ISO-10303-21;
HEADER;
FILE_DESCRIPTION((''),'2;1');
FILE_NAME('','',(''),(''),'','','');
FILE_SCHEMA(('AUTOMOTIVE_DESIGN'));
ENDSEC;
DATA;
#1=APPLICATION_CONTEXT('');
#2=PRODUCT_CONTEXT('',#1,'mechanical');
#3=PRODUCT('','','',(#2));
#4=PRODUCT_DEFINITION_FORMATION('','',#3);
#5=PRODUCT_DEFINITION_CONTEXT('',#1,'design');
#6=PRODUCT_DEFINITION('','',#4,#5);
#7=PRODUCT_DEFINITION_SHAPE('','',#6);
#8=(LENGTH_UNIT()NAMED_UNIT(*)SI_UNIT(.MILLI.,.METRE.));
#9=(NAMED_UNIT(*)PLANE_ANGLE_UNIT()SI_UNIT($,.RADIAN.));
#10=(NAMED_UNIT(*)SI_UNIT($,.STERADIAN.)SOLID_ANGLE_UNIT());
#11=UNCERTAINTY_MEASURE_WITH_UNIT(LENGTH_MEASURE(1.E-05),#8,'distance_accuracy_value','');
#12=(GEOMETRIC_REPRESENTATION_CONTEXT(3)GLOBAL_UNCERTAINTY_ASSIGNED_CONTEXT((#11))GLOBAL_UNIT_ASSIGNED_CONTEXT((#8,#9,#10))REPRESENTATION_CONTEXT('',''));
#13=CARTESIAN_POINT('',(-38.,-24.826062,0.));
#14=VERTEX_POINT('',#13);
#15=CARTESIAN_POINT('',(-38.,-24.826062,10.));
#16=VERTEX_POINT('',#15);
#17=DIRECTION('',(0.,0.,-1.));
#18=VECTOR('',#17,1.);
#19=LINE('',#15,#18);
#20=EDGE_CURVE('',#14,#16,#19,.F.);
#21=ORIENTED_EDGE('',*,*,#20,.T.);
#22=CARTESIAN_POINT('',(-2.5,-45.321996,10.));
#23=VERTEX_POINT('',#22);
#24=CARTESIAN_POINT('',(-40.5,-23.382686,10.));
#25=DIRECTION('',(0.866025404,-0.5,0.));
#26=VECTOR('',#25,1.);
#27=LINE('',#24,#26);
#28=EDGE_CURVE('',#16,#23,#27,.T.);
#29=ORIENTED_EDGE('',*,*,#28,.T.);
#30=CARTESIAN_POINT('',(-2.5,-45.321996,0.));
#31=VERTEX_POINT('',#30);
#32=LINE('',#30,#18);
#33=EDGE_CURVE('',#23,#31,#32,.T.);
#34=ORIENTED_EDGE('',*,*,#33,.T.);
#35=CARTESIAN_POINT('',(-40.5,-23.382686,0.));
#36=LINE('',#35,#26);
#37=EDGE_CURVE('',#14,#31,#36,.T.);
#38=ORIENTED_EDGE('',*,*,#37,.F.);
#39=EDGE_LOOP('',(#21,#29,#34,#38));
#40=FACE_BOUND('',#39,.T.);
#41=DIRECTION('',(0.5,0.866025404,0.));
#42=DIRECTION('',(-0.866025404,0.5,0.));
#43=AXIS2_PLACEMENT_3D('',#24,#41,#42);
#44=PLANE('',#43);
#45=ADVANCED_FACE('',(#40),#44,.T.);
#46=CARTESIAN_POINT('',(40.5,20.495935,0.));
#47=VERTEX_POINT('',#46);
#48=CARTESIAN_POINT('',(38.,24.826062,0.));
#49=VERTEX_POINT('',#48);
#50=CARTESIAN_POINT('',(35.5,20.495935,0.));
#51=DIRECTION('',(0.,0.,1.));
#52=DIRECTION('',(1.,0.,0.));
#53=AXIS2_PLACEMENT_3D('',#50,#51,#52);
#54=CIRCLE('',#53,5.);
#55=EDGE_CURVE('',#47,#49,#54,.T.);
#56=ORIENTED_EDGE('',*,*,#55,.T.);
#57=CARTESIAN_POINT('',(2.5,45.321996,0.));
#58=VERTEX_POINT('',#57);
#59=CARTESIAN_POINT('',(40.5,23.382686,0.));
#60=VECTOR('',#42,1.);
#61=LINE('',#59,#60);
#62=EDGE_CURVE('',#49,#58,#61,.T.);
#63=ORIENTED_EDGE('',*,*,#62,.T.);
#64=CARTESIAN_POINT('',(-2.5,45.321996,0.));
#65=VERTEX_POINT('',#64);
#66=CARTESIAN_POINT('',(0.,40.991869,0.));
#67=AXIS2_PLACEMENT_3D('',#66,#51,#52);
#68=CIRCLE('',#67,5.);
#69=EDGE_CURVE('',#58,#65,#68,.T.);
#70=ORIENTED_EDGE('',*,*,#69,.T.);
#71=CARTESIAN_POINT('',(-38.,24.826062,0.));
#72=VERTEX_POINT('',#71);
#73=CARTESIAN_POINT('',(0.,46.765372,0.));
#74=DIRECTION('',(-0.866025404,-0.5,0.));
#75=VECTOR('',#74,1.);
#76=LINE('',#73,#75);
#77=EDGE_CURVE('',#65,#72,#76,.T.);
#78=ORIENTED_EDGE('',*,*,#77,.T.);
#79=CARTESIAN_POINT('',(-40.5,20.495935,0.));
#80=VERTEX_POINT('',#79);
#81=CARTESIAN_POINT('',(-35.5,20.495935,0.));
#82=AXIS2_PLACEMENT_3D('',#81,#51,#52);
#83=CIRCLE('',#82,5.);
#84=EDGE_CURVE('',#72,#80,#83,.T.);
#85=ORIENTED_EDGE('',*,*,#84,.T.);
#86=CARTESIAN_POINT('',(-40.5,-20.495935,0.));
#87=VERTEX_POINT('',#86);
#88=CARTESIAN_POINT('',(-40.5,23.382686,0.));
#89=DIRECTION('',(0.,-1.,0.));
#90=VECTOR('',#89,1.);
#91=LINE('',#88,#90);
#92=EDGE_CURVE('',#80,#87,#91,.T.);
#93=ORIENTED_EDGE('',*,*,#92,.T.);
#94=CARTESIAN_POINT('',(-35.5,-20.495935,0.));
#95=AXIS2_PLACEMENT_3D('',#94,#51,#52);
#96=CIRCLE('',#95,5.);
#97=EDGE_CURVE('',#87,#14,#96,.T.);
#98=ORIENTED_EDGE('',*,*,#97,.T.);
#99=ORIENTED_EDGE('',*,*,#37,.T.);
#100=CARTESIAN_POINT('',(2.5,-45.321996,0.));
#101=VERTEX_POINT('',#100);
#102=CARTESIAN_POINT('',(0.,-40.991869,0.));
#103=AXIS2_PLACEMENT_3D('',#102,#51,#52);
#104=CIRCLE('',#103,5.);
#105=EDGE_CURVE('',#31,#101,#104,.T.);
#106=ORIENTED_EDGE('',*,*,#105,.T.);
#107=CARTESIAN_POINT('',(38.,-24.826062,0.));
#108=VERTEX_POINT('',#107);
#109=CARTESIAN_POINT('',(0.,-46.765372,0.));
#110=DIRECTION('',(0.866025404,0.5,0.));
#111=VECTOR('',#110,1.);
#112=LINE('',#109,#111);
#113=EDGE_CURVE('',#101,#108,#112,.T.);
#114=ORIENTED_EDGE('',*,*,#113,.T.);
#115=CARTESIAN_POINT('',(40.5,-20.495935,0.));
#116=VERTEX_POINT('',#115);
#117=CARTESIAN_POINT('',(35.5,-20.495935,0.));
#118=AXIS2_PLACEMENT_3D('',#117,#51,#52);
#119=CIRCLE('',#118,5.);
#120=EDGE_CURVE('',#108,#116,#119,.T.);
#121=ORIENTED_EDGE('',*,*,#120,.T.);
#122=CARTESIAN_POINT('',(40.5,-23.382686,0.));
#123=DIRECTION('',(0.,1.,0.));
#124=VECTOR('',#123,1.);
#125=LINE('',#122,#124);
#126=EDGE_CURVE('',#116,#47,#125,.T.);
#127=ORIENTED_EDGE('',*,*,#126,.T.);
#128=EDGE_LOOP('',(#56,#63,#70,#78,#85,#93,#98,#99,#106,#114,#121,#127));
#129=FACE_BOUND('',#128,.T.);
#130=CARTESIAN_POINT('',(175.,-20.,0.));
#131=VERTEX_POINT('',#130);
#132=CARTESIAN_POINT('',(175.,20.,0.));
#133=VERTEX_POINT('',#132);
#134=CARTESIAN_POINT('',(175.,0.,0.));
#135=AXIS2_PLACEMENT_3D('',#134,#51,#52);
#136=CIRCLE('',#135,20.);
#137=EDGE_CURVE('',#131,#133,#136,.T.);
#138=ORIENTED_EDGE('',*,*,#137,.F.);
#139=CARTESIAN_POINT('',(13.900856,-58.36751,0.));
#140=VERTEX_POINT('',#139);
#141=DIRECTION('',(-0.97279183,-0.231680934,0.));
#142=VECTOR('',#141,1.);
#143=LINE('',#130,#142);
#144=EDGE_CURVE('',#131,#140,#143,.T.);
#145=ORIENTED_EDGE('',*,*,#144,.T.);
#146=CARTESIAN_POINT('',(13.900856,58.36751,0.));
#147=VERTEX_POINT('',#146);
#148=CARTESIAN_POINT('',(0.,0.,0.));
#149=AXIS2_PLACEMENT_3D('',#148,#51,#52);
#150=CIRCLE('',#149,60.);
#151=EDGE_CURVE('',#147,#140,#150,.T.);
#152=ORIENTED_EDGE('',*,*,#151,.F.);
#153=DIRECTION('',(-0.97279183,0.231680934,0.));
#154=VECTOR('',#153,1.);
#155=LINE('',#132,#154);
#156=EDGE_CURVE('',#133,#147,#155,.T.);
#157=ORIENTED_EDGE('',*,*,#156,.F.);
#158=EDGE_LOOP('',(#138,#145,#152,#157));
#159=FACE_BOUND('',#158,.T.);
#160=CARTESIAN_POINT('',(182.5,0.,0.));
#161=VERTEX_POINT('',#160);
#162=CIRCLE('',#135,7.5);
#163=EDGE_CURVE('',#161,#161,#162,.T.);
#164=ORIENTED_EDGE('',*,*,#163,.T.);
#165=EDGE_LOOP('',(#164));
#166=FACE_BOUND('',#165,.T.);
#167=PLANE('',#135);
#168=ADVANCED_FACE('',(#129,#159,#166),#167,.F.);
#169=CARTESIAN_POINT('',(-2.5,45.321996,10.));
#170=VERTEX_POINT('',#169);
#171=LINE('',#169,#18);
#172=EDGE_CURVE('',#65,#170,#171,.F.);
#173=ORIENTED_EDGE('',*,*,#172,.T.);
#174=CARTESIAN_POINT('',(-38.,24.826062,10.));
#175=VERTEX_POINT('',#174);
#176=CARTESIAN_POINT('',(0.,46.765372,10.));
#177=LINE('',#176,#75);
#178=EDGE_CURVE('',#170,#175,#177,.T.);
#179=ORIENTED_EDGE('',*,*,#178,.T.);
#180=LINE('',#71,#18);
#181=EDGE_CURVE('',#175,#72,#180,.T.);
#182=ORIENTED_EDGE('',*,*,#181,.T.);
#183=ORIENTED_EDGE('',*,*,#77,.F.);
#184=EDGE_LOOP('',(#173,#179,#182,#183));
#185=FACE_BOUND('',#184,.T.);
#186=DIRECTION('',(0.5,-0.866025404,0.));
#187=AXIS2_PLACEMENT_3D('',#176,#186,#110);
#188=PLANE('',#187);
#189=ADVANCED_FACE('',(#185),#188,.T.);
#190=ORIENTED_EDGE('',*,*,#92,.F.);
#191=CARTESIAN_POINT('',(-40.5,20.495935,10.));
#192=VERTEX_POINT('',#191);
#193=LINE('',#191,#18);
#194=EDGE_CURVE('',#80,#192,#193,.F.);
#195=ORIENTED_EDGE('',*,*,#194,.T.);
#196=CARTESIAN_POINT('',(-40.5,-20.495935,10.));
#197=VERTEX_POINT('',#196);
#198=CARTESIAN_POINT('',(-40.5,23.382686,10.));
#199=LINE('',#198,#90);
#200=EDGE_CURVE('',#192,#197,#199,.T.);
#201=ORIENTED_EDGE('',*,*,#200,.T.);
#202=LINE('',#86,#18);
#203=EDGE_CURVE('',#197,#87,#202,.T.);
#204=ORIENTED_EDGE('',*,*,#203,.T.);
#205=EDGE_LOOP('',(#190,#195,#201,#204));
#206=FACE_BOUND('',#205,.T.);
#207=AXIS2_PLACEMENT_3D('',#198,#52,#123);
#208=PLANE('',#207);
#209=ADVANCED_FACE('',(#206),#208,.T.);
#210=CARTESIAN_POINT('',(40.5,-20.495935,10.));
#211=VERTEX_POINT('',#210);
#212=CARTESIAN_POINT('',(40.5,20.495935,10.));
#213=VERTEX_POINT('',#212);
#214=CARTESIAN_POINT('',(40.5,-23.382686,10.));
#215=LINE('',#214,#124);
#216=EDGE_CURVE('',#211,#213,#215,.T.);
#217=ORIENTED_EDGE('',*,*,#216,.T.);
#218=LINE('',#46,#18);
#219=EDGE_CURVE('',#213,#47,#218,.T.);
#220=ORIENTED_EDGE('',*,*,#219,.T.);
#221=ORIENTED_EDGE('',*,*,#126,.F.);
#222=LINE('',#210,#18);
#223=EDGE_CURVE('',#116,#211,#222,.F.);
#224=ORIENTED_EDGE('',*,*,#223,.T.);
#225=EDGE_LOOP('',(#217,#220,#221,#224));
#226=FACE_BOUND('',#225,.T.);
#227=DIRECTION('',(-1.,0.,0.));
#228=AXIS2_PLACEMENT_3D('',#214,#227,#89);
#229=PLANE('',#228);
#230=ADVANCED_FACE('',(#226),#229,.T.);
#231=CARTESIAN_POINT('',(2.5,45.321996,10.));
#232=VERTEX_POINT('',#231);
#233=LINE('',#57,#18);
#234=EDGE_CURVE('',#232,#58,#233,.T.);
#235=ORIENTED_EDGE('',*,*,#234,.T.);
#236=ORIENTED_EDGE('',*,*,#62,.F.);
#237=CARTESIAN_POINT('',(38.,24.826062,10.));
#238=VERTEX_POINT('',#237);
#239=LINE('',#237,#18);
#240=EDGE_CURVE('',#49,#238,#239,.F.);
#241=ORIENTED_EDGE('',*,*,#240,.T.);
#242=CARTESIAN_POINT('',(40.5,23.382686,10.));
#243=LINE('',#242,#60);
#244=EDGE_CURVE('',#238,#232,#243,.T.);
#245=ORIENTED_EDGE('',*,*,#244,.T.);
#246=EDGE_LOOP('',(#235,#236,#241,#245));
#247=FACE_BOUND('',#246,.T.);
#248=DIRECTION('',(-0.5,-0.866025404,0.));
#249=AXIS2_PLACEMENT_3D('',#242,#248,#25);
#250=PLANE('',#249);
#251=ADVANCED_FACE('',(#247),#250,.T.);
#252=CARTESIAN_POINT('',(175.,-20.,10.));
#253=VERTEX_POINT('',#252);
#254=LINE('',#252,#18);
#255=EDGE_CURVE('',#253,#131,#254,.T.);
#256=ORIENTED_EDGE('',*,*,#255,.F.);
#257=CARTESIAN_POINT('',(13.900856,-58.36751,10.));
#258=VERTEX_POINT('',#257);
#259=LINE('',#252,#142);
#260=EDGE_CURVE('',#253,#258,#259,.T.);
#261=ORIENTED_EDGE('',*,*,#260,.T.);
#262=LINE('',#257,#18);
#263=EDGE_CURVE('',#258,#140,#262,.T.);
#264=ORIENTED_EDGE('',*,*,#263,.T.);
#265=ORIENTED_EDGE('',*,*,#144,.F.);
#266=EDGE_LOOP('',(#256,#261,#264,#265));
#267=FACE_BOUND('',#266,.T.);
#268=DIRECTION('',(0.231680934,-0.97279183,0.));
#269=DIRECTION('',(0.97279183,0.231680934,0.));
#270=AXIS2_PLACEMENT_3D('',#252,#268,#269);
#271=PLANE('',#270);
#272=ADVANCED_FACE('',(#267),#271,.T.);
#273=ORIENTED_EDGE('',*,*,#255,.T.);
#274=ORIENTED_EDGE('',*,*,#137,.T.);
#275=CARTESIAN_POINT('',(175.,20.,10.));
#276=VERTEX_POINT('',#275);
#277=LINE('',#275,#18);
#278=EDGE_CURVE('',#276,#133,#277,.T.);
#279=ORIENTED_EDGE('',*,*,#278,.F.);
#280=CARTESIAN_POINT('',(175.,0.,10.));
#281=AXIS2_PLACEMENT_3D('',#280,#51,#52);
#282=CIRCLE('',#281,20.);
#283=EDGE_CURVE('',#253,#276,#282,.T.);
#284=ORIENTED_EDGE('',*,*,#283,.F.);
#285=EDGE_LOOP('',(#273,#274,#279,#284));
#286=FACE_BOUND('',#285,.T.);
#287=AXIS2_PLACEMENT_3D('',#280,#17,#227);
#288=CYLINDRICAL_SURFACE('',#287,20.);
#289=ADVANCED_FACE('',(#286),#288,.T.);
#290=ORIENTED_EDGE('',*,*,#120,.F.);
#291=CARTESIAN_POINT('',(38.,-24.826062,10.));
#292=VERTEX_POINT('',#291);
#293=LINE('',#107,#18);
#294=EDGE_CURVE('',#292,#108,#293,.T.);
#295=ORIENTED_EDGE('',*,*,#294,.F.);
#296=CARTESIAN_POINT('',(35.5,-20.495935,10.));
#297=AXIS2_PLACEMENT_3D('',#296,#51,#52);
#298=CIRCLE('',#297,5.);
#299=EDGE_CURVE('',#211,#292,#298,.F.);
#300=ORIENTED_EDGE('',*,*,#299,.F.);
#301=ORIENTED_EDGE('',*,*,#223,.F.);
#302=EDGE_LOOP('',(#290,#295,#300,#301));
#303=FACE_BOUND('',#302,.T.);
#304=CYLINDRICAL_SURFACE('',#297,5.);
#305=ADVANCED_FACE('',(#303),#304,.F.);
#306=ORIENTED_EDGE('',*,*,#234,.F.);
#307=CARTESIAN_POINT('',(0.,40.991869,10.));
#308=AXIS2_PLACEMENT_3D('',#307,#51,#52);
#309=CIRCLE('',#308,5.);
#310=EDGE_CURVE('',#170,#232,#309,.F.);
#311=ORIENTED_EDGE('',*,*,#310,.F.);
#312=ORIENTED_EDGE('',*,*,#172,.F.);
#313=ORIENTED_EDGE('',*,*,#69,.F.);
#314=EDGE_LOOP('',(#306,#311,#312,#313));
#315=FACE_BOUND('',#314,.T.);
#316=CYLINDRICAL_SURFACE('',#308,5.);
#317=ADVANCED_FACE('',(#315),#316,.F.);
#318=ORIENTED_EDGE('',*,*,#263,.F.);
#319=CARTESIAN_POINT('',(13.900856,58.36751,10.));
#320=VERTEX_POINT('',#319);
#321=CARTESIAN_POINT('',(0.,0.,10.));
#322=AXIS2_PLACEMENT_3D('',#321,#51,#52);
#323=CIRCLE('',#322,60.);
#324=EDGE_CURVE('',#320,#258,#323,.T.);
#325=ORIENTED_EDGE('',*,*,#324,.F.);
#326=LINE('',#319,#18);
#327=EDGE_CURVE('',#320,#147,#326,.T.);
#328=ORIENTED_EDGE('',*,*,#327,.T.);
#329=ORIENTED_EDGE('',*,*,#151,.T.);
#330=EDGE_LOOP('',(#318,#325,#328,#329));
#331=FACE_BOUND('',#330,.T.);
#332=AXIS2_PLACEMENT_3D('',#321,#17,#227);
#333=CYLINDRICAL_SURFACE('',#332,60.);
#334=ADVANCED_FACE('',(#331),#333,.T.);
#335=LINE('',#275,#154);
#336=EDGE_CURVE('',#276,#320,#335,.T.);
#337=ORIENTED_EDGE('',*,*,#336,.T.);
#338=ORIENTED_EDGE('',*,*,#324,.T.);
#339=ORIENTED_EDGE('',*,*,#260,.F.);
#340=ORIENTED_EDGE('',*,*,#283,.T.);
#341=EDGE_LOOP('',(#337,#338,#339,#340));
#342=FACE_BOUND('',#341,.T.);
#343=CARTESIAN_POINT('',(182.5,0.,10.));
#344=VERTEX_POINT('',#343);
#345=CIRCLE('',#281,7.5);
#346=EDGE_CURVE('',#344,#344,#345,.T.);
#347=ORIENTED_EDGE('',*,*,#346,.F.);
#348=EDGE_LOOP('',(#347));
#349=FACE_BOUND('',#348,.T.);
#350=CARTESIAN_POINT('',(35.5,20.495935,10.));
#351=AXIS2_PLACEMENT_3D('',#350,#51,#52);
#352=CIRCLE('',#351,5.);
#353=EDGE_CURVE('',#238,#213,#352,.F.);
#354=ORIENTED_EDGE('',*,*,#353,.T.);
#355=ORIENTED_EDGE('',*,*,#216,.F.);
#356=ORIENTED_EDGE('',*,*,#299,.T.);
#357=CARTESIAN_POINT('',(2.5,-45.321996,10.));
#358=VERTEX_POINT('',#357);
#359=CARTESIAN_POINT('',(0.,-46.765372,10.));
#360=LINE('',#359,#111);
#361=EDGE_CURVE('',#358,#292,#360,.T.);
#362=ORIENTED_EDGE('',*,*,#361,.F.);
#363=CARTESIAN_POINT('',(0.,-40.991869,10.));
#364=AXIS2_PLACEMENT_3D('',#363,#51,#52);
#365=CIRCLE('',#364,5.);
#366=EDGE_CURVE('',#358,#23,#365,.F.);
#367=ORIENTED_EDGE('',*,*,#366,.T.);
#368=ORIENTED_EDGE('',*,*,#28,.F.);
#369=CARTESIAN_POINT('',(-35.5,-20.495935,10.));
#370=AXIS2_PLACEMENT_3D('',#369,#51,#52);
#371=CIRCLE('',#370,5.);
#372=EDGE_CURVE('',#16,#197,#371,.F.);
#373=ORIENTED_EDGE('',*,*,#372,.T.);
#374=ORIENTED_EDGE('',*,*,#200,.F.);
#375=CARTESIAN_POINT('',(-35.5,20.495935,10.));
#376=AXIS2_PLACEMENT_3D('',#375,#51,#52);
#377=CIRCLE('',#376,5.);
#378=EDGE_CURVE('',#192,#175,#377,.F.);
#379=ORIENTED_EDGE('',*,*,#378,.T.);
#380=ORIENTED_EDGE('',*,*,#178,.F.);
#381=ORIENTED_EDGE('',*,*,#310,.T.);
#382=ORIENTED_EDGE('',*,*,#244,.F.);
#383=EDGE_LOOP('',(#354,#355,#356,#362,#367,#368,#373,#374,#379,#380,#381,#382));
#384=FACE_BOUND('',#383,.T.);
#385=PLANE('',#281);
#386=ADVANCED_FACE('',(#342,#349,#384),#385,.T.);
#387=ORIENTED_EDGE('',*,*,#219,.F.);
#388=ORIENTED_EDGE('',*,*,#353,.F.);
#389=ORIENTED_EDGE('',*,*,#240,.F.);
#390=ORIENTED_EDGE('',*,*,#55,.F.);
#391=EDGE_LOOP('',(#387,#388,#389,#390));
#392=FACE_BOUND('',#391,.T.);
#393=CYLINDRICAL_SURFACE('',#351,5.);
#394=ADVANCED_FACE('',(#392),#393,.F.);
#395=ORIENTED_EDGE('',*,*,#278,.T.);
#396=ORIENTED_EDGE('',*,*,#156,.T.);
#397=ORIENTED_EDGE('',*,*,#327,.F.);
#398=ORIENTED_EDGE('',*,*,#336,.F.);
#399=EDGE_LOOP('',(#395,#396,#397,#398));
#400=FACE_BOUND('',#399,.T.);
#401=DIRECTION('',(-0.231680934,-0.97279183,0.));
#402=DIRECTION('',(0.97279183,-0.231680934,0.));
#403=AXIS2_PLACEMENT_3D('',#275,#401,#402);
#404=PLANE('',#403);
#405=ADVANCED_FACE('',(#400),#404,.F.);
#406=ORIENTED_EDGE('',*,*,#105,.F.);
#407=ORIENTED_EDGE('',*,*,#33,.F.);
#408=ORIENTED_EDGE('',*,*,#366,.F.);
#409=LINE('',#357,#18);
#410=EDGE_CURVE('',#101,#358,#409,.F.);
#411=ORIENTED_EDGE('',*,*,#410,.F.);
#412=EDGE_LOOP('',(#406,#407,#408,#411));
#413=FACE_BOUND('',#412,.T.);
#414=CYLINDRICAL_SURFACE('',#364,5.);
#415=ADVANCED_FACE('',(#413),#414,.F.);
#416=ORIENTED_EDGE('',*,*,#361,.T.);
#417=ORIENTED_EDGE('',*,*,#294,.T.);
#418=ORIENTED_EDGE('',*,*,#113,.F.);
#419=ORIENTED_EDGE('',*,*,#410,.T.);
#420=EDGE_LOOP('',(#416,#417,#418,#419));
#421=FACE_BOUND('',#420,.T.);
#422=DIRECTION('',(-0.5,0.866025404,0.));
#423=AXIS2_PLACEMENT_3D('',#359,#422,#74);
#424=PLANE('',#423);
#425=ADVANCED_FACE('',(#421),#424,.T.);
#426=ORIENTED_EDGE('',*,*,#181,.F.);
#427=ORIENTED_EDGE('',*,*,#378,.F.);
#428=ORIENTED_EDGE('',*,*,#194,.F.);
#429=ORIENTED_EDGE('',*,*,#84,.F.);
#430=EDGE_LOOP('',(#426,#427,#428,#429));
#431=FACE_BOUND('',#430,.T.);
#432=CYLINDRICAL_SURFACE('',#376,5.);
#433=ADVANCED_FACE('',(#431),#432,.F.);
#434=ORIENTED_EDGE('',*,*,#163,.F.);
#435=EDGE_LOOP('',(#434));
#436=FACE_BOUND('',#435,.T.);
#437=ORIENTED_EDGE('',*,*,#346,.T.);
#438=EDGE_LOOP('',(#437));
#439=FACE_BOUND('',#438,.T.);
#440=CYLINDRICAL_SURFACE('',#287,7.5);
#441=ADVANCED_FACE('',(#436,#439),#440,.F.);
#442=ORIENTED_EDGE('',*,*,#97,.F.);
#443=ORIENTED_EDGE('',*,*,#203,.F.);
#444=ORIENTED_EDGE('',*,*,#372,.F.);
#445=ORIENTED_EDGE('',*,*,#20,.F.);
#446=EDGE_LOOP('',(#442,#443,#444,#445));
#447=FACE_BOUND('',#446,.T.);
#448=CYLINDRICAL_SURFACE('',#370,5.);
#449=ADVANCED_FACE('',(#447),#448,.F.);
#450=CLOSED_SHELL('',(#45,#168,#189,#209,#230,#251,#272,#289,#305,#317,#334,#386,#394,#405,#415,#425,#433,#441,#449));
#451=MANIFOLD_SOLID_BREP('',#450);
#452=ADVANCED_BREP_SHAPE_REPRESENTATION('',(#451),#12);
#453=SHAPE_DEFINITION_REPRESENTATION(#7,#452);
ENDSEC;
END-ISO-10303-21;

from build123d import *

# Parameters (mm, degrees)
SKETCH1_R           = 7.5
BOSS_EXTRUDE1_DEPTH = 10
FILLET1_R           = 5


with BuildPart() as part:
    # Sketch1 → Boss-Extrude1 (new body)
    with BuildSketch(Plane.XY):
        with BuildLine():
            Line((175, 20), (13.900856021, 58.367509814))
            ThreePointArc((13.900856021, 58.367509814), (-60, 0), (13.900856021, -58.367509814))
            Line((13.900856021, -58.367509814), (175, -20))
            ThreePointArc((175, -20), (195, 0), (175, 20))
        make_face()
        with Locations((175, 0)):
            Circle(SKETCH1_R, mode=Mode.SUBTRACT)
        Polygon((40.5, 23.382685902), (0, 46.765371804), (-40.5, 23.382685902), (-40.5, -23.382685902), (0, -46.765371804), (40.5, -23.382685902), align=None, mode=Mode.SUBTRACT)
    extrude(amount=BOSS_EXTRUDE1_DEPTH)

    # Fillet1
    fillet1_edges = [part.edges().sort_by_distance(p)[0] for p in [
        (0, -46.765371804, 5),
        (40.5, -23.382685902, 5),
        (40.5, 23.382685902, 5),
        (0, 46.765371804, 5),
        (-40.5, 23.382685902, 5),
        (-40.5, -23.382685902, 5),
    ]]
    fillet(fillet1_edges, radius=FILLET1_R)


solid = part.part
